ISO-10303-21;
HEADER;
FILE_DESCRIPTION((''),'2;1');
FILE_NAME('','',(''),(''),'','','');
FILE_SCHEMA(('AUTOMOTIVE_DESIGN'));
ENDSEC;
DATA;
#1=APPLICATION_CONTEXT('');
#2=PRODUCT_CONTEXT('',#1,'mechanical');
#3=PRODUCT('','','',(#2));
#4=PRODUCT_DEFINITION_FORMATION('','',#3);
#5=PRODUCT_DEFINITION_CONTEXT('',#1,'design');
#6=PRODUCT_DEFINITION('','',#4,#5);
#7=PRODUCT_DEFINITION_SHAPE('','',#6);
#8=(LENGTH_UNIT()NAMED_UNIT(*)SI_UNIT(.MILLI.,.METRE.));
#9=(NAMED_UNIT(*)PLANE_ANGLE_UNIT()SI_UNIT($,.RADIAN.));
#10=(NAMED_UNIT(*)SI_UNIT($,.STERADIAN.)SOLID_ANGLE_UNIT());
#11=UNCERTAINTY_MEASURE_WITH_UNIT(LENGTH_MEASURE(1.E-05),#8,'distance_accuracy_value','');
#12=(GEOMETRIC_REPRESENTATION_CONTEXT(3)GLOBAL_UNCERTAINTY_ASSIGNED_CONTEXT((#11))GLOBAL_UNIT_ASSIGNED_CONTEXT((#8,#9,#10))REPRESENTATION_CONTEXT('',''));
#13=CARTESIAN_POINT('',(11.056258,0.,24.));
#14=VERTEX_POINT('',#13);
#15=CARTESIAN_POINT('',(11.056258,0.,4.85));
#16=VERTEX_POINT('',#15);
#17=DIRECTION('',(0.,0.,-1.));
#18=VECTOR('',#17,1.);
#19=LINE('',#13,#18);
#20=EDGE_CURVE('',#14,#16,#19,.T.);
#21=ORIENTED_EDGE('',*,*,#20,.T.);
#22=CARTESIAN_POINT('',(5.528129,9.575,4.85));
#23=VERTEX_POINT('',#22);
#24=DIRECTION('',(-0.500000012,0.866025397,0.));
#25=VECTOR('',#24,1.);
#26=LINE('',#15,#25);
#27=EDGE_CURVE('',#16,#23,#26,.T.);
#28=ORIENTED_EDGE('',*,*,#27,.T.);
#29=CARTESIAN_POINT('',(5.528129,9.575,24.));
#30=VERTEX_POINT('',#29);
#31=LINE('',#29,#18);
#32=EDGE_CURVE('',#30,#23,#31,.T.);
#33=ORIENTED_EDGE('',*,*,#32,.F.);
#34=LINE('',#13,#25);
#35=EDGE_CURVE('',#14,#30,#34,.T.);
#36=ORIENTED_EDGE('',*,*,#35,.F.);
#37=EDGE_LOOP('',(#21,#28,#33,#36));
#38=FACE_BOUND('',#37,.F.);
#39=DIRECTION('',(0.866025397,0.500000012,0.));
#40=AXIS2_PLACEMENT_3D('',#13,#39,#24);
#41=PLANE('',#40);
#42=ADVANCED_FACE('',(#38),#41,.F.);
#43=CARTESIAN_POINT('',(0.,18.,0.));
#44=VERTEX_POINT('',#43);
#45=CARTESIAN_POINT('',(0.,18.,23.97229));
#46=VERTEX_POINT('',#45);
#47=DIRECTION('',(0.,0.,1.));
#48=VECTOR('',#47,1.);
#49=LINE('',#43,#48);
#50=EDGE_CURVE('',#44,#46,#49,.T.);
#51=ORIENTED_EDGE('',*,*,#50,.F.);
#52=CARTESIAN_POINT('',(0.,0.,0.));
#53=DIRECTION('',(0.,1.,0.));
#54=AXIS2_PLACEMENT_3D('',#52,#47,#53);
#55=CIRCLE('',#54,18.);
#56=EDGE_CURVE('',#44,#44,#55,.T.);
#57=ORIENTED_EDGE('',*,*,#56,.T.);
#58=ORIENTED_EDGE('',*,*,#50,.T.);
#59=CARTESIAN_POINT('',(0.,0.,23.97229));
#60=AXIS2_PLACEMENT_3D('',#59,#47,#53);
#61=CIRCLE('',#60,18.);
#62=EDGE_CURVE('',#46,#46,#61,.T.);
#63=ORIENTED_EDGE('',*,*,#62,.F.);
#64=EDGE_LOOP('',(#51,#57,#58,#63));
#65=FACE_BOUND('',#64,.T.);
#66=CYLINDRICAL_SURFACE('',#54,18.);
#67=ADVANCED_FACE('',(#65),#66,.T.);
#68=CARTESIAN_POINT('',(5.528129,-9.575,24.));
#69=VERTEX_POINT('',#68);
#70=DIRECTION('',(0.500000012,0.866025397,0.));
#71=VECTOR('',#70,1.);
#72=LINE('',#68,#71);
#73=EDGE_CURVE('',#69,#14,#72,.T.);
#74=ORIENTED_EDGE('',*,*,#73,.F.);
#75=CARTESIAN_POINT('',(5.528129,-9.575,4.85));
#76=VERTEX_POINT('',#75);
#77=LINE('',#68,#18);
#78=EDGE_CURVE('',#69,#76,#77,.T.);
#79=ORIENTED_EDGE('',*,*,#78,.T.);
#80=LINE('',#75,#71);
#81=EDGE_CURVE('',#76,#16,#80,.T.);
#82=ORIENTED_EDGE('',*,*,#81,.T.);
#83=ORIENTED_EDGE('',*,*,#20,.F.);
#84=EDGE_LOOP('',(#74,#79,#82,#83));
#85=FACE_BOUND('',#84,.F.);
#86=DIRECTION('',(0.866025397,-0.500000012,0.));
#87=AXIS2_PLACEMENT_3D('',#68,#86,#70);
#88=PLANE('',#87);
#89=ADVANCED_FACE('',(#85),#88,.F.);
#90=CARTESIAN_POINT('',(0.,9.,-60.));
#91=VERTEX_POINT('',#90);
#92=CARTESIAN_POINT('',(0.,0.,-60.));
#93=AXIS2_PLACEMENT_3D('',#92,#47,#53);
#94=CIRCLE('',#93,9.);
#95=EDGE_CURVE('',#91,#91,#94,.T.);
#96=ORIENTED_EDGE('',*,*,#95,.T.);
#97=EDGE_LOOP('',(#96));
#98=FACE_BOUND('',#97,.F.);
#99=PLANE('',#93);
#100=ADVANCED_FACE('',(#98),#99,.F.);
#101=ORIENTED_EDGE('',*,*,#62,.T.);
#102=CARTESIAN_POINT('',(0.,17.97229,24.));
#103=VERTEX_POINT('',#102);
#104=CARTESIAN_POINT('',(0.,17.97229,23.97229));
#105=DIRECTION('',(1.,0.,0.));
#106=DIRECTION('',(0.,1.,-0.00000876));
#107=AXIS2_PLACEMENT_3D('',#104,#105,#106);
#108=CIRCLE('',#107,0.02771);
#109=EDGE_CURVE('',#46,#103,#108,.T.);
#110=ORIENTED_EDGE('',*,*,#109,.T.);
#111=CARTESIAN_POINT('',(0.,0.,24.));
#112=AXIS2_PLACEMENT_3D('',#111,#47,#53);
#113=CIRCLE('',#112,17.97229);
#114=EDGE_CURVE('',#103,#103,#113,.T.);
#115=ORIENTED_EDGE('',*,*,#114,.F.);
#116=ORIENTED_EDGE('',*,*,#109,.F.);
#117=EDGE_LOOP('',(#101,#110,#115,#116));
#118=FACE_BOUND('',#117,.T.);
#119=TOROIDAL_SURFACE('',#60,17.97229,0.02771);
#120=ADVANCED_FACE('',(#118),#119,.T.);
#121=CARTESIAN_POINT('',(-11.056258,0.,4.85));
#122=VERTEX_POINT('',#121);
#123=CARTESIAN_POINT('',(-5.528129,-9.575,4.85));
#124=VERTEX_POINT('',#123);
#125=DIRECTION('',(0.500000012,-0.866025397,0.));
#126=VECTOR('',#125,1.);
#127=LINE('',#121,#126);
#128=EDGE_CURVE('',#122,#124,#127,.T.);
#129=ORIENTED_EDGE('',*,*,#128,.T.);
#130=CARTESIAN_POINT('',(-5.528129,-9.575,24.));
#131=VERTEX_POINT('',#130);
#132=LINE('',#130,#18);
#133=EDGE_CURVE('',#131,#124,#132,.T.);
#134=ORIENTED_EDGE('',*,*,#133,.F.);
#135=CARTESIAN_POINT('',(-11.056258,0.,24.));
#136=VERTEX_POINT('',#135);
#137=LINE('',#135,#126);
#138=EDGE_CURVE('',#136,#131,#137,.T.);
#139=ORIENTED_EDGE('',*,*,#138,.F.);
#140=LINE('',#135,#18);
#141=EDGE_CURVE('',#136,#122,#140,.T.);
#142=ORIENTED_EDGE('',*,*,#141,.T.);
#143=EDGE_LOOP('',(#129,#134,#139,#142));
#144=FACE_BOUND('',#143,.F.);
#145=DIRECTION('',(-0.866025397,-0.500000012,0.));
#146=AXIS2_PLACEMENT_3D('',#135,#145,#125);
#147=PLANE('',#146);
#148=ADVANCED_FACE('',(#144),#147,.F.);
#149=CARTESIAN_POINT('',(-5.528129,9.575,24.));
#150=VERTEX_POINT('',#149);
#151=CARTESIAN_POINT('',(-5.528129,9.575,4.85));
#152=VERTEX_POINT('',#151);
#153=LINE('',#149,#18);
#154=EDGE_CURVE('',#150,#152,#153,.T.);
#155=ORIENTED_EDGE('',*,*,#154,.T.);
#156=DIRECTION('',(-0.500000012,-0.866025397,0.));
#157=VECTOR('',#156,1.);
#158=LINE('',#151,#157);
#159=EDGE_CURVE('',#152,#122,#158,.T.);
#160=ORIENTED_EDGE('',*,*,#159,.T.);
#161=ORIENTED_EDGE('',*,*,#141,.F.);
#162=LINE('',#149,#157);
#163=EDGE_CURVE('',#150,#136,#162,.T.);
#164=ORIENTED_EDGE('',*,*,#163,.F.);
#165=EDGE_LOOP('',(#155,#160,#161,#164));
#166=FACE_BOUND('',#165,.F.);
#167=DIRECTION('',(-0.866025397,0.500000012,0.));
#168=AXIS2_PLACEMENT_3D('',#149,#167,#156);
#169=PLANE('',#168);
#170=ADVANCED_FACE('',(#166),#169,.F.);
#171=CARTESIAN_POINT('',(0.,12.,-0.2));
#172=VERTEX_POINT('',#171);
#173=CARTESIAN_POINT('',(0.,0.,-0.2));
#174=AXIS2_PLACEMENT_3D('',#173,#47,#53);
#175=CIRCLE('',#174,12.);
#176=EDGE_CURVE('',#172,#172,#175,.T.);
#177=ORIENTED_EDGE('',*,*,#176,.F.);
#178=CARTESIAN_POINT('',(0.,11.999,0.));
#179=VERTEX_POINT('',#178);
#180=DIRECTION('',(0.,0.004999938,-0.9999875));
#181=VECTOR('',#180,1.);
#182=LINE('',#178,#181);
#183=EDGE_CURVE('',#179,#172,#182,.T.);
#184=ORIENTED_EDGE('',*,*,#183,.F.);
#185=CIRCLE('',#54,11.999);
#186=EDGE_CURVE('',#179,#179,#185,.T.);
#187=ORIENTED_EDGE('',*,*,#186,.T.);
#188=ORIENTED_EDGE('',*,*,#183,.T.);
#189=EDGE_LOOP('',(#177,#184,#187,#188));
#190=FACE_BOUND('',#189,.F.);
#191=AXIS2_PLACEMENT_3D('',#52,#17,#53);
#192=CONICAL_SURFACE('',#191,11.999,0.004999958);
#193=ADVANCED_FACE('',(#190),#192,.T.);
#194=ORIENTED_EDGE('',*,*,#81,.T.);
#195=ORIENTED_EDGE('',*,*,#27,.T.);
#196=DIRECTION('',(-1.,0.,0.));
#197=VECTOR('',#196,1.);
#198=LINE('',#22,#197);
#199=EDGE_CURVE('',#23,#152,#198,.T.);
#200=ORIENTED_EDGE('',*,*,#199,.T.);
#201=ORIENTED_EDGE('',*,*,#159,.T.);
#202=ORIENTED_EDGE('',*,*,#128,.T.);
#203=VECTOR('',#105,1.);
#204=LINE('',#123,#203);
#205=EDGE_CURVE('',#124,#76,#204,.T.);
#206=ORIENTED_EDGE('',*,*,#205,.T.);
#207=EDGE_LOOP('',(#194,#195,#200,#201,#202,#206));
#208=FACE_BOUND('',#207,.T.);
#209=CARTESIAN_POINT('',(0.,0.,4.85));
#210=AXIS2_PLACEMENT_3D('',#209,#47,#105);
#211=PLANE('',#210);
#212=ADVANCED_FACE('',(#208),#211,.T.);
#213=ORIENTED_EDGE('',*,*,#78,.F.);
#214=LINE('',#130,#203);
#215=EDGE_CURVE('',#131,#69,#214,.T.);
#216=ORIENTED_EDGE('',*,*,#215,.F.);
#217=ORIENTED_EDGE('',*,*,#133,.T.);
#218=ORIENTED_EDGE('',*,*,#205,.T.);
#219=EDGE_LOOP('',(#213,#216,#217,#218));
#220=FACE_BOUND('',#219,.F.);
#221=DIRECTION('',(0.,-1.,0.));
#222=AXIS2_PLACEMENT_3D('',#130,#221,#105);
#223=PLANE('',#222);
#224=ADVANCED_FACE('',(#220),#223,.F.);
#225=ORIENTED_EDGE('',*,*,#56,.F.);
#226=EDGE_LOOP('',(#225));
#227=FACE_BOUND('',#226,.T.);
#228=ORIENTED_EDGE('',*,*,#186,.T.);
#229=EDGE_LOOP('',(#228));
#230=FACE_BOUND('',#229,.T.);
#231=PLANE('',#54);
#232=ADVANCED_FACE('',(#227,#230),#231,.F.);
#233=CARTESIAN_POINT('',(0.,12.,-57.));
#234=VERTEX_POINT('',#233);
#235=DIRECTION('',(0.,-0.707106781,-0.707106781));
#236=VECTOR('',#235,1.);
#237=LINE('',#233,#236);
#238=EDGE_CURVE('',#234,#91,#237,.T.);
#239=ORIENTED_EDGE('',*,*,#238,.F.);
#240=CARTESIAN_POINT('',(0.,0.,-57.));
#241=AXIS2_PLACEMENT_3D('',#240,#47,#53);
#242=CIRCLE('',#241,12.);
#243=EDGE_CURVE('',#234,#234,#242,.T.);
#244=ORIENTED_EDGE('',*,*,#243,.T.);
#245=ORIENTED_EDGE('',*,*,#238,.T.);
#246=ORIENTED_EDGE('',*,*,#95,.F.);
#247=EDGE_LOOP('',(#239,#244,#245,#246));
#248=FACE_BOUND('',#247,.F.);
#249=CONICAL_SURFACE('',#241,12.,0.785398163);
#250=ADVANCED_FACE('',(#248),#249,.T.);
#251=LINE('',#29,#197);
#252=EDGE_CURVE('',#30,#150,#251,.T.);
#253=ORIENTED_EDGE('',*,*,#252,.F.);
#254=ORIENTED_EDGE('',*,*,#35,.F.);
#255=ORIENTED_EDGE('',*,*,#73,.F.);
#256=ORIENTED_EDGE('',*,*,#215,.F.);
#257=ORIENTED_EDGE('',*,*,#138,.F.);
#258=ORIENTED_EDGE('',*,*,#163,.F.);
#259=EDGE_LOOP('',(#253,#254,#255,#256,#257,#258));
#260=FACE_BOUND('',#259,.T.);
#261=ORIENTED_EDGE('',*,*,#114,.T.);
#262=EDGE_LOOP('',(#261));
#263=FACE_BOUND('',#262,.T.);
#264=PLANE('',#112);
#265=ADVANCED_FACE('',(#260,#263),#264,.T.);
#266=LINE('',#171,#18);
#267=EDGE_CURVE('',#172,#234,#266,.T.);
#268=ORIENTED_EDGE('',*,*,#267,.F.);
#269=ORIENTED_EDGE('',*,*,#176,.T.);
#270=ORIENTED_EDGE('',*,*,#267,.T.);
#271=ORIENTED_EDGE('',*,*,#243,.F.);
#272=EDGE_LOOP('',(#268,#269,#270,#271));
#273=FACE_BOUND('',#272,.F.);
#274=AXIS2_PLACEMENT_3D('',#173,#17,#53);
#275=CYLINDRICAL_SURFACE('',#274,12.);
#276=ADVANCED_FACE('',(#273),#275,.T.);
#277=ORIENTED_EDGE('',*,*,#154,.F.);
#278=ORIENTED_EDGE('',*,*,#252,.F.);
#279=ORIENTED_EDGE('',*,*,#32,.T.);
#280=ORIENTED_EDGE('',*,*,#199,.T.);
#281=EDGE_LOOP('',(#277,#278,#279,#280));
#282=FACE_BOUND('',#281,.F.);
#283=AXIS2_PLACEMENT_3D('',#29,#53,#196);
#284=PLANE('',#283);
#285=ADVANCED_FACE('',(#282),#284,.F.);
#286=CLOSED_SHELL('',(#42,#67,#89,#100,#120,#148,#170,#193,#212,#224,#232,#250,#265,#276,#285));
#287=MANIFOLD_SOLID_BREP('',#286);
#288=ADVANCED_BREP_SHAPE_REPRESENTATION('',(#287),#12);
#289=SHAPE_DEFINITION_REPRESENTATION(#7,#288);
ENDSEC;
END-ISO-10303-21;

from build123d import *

# Parameters (mm, degrees)
POCKET_DEPTH = 19.15


with BuildPart() as part:
    # Sketch → Revolve (revolve)
    with BuildSketch(Plane.YZ):
        with BuildLine():
            Line((11.999, 0), (18, 0))
            Line((18, 0), (18, 23.97229))
            ThreePointArc((18, 23.97229), (17.991884, 23.991884), (17.97229, 24))
            Line((17.97229, 24), (0, 24))
            Line((0, -60), (0, 24))
            Line((9, -60), (0, -60))
            Line((12, -57), (9, -60))
            Line((12, -0.2), (12, -57))
            Line((11.999, 0), (12, -0.2))
        make_face()
    revolve(axis=Axis((0, 0, 0), (0, 0, 1)))

    # Sketch001 → Pocket (cut)
    with BuildSketch(Plane.XY.offset(24)):
        Polygon((11.056258, 0), (5.528129, 9.575), (-5.528129, 9.575), (-11.056258, 0), (-5.528129, -9.575), (5.528129, -9.575), align=None)
    extrude(amount=-POCKET_DEPTH, mode=Mode.SUBTRACT)


solid = part.part
